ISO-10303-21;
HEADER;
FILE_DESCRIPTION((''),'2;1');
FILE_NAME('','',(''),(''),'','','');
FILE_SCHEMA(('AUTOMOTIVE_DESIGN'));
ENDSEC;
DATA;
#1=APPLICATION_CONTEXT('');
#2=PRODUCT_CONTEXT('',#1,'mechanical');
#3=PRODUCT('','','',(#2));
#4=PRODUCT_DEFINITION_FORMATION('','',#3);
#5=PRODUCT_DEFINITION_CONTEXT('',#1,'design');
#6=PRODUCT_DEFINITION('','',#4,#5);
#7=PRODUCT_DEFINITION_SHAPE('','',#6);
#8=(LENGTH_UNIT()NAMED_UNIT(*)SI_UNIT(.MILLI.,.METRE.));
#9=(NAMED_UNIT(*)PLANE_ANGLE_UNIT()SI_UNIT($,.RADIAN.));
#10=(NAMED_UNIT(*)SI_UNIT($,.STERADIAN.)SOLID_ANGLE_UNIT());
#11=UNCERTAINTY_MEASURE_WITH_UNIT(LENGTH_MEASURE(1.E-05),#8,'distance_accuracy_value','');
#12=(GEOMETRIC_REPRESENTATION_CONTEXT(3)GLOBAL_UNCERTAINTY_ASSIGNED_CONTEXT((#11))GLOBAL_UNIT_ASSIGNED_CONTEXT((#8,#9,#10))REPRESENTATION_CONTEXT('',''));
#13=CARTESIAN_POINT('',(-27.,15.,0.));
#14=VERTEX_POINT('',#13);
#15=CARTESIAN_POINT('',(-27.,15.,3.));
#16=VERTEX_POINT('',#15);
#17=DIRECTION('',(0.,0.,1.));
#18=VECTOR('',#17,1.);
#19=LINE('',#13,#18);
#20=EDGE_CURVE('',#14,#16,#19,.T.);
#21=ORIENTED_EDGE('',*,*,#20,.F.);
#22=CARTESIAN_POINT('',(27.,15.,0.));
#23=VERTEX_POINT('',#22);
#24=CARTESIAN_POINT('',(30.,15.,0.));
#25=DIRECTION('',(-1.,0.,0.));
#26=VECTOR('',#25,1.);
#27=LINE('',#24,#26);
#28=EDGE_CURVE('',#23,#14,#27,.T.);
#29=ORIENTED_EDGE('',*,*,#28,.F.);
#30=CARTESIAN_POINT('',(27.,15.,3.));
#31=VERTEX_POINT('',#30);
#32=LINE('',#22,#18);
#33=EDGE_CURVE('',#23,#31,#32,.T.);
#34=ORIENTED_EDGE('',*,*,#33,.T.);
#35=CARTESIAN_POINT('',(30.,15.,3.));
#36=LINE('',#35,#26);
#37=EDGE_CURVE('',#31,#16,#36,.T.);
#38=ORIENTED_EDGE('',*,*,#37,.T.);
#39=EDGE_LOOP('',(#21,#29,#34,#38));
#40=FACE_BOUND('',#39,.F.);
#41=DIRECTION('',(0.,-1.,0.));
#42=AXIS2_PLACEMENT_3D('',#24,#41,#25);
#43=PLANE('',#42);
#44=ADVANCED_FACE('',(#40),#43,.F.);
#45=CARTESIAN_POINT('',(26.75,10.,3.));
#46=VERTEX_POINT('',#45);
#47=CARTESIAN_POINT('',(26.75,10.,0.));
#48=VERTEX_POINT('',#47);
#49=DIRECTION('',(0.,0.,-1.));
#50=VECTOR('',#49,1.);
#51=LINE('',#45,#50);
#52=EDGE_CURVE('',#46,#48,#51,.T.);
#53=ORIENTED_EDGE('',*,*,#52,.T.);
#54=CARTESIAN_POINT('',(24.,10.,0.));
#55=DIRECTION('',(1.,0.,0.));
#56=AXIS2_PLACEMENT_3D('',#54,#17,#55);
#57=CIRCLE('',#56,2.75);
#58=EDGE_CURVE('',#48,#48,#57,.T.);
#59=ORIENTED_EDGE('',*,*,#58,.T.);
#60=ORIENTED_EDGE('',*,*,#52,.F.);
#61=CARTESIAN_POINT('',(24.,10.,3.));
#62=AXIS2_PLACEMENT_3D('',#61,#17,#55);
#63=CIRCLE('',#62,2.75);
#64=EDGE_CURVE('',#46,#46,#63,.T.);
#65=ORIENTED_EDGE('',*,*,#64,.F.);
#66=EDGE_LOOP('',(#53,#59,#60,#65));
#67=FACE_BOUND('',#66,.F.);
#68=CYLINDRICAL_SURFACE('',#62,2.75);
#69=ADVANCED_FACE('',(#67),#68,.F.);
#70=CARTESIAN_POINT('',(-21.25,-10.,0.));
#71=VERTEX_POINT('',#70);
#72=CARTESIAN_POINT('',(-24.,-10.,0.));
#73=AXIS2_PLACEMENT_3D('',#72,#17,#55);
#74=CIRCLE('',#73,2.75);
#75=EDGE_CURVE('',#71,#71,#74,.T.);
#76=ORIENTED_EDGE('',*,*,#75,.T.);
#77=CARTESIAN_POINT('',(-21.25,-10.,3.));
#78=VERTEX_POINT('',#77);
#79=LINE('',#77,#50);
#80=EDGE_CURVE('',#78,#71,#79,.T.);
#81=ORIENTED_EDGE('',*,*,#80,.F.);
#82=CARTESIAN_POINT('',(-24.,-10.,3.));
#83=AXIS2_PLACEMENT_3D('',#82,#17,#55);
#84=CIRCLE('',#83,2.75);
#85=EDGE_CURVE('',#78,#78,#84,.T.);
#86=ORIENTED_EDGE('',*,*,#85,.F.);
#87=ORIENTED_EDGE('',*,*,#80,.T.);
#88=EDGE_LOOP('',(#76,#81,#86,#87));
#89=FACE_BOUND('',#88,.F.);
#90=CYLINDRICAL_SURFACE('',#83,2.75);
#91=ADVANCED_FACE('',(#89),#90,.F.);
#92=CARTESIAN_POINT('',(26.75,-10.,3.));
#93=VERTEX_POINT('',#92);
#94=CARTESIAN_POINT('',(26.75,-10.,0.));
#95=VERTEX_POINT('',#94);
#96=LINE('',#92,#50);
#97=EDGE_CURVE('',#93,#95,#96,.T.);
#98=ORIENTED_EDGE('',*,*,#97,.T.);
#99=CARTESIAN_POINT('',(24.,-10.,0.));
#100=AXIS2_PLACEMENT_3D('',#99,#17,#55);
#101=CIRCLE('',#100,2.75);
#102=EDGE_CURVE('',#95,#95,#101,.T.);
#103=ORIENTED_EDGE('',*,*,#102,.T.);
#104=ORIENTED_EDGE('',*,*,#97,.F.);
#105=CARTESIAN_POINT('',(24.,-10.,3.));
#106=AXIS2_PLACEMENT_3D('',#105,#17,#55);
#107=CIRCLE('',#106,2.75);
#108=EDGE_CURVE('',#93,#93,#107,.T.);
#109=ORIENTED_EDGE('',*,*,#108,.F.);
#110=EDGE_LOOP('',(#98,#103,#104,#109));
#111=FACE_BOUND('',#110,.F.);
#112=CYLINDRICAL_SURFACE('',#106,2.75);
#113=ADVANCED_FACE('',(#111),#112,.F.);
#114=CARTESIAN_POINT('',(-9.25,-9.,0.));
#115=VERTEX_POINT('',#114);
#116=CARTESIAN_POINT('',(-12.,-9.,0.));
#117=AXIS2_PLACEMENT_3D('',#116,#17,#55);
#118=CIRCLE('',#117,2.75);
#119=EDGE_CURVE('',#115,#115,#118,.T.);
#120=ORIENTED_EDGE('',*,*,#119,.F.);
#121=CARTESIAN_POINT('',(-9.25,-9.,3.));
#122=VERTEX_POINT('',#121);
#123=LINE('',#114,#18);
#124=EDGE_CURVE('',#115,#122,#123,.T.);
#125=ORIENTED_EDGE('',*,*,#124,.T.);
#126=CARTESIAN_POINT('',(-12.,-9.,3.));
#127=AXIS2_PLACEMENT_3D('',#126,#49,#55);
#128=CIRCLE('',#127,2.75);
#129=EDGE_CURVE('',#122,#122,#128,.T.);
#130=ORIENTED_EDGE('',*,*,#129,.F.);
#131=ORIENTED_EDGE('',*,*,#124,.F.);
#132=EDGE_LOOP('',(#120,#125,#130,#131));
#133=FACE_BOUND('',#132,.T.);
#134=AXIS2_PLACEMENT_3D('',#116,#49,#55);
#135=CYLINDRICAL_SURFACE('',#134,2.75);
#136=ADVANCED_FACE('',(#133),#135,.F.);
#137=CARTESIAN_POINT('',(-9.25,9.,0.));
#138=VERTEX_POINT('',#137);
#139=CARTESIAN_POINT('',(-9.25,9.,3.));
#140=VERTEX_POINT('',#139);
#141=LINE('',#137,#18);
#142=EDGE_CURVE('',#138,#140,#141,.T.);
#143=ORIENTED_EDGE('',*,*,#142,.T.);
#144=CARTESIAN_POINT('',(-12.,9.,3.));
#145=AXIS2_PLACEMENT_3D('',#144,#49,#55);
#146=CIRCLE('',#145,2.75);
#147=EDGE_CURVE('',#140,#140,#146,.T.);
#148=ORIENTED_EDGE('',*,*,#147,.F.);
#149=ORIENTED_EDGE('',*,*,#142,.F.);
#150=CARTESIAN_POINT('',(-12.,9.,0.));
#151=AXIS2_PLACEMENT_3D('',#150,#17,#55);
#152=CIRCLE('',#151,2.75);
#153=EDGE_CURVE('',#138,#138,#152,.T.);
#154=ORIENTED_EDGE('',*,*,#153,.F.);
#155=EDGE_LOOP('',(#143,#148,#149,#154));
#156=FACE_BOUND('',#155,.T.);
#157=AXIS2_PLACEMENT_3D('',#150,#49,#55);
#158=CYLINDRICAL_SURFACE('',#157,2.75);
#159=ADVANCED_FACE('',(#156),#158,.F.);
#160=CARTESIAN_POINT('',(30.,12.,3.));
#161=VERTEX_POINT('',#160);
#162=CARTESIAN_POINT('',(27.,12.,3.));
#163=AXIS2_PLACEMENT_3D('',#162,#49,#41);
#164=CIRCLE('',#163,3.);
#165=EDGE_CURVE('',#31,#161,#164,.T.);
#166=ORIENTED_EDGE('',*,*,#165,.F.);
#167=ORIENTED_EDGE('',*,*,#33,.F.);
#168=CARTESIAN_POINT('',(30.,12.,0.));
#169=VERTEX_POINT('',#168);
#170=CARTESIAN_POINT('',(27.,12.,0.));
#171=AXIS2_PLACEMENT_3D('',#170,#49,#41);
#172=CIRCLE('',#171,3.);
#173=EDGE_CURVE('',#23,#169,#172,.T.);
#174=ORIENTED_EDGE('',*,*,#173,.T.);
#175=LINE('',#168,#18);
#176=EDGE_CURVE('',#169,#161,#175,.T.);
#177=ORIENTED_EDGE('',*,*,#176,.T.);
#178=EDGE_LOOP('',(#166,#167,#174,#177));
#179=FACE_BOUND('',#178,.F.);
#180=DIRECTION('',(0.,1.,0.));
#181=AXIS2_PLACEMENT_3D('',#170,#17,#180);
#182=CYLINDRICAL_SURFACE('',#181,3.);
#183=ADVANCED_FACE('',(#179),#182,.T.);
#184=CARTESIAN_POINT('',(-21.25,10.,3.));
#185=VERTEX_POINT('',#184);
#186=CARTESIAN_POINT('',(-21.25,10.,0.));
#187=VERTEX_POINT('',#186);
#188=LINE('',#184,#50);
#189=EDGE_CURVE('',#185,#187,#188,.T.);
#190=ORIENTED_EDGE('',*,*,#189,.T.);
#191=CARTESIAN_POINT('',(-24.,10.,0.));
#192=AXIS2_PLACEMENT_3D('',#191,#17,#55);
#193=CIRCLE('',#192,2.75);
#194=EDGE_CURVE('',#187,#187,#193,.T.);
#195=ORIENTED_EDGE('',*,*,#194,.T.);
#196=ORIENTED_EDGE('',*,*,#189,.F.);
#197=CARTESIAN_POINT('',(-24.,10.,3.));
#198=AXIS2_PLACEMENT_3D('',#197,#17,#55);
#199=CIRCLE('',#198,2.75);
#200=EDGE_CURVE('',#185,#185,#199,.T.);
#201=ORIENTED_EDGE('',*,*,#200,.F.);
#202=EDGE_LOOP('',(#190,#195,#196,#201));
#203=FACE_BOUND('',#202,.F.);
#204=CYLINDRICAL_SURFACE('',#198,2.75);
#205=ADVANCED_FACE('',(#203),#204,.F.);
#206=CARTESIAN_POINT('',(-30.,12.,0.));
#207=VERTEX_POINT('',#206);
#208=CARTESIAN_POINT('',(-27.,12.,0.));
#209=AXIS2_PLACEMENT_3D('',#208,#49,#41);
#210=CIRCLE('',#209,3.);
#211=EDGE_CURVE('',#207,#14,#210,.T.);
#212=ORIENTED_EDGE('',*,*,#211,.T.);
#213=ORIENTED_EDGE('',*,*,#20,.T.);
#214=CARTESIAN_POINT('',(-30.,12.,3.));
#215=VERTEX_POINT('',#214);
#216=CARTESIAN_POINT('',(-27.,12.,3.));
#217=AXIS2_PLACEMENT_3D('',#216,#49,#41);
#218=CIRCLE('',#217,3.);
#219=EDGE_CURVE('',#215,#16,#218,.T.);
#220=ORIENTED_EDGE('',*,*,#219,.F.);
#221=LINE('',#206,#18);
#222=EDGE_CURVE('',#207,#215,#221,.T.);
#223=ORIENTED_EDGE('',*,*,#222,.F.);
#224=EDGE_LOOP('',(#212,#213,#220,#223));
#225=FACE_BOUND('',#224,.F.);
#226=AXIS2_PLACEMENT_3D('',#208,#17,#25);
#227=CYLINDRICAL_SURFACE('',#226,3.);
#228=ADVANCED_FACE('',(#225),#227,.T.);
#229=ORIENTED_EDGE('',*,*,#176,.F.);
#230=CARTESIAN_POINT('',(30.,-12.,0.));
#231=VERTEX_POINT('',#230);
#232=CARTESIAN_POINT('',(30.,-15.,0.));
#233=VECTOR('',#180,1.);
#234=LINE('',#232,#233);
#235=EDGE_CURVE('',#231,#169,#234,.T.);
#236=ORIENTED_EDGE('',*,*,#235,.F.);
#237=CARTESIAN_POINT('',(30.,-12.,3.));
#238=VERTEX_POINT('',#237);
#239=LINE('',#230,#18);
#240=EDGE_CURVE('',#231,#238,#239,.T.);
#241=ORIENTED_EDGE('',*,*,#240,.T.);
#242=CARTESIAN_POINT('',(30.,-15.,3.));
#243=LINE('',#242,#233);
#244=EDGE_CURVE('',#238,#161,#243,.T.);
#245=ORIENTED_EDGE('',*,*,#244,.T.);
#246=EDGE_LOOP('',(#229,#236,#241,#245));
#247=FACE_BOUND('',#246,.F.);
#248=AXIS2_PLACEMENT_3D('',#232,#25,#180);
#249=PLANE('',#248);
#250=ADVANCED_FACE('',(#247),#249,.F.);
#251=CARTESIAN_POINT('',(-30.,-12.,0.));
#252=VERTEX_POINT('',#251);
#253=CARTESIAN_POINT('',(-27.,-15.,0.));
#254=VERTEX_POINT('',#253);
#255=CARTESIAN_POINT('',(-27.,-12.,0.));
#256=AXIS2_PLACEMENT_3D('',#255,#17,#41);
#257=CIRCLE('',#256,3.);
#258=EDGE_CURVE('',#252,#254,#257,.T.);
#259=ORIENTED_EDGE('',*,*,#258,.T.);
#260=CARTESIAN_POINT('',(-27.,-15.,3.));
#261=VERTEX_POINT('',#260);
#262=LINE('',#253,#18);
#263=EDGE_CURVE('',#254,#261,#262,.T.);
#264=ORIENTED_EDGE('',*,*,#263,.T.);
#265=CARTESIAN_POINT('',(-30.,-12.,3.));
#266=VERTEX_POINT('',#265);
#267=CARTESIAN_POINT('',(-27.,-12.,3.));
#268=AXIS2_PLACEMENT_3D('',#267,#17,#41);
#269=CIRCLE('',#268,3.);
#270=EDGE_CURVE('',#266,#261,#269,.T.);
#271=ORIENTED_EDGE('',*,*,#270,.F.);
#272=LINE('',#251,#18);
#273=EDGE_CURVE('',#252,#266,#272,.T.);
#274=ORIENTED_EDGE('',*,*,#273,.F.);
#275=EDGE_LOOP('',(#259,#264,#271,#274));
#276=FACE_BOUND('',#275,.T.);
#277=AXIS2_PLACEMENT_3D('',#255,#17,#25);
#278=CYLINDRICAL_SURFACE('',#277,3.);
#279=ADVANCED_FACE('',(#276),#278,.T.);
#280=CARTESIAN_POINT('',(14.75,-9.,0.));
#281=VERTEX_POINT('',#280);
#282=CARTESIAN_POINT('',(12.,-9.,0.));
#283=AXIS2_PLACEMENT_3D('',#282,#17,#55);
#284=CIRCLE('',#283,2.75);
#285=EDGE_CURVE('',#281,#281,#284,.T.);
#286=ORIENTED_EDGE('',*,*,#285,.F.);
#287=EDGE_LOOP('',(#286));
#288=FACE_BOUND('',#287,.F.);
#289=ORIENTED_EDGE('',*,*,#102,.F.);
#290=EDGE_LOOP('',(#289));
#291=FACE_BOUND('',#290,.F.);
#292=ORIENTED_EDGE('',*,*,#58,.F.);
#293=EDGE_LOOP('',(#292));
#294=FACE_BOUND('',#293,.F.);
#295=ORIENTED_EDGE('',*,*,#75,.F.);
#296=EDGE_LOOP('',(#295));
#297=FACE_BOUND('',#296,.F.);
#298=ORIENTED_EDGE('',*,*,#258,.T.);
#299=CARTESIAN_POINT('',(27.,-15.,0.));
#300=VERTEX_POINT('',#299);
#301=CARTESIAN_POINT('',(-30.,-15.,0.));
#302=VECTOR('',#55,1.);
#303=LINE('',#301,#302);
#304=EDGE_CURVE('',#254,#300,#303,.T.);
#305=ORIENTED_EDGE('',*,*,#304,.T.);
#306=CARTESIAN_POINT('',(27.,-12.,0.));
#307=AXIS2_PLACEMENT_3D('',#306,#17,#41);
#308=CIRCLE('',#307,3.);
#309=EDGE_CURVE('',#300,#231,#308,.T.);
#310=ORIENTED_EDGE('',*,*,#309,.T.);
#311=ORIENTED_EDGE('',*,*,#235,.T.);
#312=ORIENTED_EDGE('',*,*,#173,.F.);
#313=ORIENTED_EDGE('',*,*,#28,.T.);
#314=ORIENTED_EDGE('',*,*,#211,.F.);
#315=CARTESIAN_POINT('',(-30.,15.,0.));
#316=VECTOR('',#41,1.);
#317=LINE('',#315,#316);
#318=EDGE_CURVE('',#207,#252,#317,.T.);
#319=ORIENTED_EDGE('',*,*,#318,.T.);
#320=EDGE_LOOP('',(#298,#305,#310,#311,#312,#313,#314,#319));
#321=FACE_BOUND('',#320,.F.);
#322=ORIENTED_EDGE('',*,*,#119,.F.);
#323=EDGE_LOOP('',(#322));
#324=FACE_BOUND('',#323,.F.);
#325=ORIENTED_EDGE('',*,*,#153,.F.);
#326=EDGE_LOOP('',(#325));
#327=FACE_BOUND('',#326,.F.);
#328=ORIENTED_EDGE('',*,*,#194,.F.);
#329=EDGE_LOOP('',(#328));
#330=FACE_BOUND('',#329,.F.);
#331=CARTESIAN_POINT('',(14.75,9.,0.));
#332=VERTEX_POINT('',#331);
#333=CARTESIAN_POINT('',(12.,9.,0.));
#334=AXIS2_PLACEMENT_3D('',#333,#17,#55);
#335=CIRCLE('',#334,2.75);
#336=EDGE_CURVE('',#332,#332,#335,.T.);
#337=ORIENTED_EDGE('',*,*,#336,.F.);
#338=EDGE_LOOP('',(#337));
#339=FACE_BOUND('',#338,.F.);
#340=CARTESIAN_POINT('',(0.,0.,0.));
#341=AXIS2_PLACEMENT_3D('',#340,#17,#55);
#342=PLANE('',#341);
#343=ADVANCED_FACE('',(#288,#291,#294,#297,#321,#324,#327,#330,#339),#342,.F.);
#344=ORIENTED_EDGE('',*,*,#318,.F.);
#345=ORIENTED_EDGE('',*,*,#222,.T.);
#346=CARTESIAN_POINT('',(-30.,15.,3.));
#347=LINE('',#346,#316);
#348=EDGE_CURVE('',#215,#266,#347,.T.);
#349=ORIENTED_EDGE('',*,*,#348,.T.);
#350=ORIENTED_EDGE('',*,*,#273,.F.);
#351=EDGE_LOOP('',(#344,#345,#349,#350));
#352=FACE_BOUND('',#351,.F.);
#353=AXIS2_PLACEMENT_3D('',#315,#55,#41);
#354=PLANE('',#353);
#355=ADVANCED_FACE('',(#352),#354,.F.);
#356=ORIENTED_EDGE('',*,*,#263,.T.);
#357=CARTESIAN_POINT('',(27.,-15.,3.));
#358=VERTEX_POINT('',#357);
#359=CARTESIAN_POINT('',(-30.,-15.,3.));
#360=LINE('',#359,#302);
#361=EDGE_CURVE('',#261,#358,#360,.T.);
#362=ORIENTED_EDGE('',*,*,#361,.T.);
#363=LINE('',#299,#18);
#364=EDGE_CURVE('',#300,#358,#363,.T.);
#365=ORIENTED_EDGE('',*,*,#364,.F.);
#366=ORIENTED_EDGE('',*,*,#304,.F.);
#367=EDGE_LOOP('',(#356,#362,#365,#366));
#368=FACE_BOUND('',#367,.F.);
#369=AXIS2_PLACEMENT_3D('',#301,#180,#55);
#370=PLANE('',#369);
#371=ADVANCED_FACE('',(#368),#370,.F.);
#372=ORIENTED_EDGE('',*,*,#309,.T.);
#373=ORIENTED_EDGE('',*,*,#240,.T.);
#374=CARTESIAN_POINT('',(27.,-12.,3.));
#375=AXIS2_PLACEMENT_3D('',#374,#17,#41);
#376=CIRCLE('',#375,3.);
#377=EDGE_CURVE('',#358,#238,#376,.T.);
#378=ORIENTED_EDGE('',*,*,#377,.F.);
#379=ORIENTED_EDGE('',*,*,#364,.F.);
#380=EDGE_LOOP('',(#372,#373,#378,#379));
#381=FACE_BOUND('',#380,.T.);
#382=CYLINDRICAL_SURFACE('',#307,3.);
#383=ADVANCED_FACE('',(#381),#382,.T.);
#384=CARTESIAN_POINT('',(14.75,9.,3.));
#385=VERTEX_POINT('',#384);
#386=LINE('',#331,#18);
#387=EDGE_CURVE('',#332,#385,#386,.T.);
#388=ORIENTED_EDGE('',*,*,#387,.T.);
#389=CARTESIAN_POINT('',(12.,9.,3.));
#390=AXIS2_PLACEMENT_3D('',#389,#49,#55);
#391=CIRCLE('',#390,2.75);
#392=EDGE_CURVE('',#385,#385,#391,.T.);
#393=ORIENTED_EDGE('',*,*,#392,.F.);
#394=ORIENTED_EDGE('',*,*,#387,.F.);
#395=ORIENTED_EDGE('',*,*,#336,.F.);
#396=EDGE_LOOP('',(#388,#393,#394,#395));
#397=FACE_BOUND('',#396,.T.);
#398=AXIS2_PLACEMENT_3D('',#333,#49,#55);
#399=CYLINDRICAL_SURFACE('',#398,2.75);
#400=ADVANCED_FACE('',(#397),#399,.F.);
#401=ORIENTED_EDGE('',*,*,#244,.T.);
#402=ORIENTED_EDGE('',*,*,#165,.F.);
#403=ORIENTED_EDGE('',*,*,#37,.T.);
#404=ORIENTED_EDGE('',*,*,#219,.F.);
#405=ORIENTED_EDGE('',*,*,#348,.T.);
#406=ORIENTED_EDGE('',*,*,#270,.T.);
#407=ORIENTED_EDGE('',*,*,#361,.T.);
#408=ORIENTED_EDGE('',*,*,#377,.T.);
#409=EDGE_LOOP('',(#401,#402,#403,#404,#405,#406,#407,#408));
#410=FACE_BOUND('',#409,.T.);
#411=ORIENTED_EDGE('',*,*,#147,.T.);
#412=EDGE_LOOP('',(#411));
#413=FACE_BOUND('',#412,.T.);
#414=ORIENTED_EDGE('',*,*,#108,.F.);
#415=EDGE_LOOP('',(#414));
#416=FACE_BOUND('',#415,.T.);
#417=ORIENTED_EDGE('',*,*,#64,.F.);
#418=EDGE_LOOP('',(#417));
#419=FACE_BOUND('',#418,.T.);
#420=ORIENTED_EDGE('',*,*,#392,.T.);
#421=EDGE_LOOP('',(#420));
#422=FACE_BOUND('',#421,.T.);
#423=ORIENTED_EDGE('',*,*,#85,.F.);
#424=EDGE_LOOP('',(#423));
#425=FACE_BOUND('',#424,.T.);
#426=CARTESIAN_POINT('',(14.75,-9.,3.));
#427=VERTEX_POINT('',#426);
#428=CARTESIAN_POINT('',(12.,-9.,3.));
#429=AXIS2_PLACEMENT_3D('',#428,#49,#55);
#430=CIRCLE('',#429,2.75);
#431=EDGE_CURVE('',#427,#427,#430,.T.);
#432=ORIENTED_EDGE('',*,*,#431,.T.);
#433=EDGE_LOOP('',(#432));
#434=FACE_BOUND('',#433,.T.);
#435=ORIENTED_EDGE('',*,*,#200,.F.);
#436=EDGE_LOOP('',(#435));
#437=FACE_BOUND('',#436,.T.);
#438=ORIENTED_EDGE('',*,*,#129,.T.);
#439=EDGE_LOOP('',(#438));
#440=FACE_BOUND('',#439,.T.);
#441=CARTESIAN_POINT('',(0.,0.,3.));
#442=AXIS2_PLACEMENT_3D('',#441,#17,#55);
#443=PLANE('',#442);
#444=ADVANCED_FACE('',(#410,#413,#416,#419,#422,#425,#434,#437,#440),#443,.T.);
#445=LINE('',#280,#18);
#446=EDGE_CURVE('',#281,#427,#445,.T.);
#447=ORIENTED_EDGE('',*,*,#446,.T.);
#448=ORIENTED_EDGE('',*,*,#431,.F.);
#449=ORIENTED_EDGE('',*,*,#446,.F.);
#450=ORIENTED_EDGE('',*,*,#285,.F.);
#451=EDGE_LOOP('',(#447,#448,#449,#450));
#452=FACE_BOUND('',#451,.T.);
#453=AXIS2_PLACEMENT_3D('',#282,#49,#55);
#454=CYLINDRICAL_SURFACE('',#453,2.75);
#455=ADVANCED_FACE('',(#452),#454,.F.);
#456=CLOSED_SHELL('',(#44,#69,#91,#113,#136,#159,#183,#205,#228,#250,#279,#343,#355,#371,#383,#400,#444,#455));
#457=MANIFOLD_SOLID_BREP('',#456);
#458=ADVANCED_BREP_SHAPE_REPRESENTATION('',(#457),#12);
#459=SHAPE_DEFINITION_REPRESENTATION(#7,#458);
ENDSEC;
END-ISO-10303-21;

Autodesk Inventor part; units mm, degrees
ref_plane "YZ Plane" through (0, 0, 0) normal (1, 0, 0) x (0, 1, 0)
ref_plane "XZ Plane" through (0, 0, 0) normal (0, 1, 0) x (-1, 0, 0)
ref_plane "XY Plane" through (0, 0, 0) normal (0, 0, 1) x (1, 0, 0)
sketch "Sketch1" plane through (0, 0, 0) normal (0, 0, 1) x (1, 0, 0)
  line L0 (-30, -15) -> (30, -15)
  line L1 (30, -15) -> (30, 15)
  line L2 (30, 15) -> (-30, 15)
  line L3 (-30, 15) -> (-30, -15)
  line L4 (-30, -15) -> (30, 15) construction
  line L5 (30, -15) -> (-30, 15) construction
  line L6 (-12, -9) -> (12, -9)
  line L7 (12, -9) -> (12, 9)
  line L8 (12, 9) -> (-12, 9)
  line L9 (-12, 9) -> (-12, -9)
  line L10 (-12, -9) -> (12, 9) construction
  line L11 (12, -9) -> (-12, 9) construction
  circle A0 centre (-12, 9) radius 2.75
  circle A1 centre (12, 9) radius 2.75
  circle A2 centre (-12, -9) radius 2.75
  circle A3 centre (12, -9) radius 2.75
  point P0 (0, 0)
  dimension "d0" = 60
  dimension "d1" = 30
  dimension "d2" = 24
  dimension "d3" = 18
  dimension "d4" = 5.5
  dimension "d5" = 5.5
  dimension "d6" = 5.5
  dimension "d7" = 5.5
extrude "Extrusion1" add sketch "Sketch1" along normal blind 3 contours L3 L2 L1 L0 | A2 L9 A0 L8 A1 L7 A3 L6
sketch "Sketch2" plane through (0, 0, 3) normal (0, 0, 1) x (1, 0, 0)
  circle A0 centre (-24, 10) radius 2.75
  circle A1 centre (-24, -10) radius 2.75
  line L0 (-30, 15) -> (-30, -15) projected
  circle A2 centre (24, 10) radius 2.75
  circle A3 centre (24, -10) radius 2.75
  line L1 (30, -15) -> (30, 15) projected
  point P0 (0, 0)
  dimension "d10" = 5.5
  dimension "d11" = 5.5
  dimension "d12" = 10
  dimension "d13" = 6
  dimension "d14" = 6
  dimension "d15" = 10
  dimension "d16" = 5.5
  dimension "d17" = 5.5
  dimension "d18" = 20
  dimension "d19" = 10
  dimension "d20" = 6
  dimension "d21" = 6
extrude "Extrusion2" cut sketch "Sketch2" against normal blind 3
fillet "Fillet1" radius 3 4 edges at (30, 15, 1.5) (30, -15, 1.5) (-30, -15, 1.5) (-30, 15, 1.5)
properties part number "De lot vitme"
